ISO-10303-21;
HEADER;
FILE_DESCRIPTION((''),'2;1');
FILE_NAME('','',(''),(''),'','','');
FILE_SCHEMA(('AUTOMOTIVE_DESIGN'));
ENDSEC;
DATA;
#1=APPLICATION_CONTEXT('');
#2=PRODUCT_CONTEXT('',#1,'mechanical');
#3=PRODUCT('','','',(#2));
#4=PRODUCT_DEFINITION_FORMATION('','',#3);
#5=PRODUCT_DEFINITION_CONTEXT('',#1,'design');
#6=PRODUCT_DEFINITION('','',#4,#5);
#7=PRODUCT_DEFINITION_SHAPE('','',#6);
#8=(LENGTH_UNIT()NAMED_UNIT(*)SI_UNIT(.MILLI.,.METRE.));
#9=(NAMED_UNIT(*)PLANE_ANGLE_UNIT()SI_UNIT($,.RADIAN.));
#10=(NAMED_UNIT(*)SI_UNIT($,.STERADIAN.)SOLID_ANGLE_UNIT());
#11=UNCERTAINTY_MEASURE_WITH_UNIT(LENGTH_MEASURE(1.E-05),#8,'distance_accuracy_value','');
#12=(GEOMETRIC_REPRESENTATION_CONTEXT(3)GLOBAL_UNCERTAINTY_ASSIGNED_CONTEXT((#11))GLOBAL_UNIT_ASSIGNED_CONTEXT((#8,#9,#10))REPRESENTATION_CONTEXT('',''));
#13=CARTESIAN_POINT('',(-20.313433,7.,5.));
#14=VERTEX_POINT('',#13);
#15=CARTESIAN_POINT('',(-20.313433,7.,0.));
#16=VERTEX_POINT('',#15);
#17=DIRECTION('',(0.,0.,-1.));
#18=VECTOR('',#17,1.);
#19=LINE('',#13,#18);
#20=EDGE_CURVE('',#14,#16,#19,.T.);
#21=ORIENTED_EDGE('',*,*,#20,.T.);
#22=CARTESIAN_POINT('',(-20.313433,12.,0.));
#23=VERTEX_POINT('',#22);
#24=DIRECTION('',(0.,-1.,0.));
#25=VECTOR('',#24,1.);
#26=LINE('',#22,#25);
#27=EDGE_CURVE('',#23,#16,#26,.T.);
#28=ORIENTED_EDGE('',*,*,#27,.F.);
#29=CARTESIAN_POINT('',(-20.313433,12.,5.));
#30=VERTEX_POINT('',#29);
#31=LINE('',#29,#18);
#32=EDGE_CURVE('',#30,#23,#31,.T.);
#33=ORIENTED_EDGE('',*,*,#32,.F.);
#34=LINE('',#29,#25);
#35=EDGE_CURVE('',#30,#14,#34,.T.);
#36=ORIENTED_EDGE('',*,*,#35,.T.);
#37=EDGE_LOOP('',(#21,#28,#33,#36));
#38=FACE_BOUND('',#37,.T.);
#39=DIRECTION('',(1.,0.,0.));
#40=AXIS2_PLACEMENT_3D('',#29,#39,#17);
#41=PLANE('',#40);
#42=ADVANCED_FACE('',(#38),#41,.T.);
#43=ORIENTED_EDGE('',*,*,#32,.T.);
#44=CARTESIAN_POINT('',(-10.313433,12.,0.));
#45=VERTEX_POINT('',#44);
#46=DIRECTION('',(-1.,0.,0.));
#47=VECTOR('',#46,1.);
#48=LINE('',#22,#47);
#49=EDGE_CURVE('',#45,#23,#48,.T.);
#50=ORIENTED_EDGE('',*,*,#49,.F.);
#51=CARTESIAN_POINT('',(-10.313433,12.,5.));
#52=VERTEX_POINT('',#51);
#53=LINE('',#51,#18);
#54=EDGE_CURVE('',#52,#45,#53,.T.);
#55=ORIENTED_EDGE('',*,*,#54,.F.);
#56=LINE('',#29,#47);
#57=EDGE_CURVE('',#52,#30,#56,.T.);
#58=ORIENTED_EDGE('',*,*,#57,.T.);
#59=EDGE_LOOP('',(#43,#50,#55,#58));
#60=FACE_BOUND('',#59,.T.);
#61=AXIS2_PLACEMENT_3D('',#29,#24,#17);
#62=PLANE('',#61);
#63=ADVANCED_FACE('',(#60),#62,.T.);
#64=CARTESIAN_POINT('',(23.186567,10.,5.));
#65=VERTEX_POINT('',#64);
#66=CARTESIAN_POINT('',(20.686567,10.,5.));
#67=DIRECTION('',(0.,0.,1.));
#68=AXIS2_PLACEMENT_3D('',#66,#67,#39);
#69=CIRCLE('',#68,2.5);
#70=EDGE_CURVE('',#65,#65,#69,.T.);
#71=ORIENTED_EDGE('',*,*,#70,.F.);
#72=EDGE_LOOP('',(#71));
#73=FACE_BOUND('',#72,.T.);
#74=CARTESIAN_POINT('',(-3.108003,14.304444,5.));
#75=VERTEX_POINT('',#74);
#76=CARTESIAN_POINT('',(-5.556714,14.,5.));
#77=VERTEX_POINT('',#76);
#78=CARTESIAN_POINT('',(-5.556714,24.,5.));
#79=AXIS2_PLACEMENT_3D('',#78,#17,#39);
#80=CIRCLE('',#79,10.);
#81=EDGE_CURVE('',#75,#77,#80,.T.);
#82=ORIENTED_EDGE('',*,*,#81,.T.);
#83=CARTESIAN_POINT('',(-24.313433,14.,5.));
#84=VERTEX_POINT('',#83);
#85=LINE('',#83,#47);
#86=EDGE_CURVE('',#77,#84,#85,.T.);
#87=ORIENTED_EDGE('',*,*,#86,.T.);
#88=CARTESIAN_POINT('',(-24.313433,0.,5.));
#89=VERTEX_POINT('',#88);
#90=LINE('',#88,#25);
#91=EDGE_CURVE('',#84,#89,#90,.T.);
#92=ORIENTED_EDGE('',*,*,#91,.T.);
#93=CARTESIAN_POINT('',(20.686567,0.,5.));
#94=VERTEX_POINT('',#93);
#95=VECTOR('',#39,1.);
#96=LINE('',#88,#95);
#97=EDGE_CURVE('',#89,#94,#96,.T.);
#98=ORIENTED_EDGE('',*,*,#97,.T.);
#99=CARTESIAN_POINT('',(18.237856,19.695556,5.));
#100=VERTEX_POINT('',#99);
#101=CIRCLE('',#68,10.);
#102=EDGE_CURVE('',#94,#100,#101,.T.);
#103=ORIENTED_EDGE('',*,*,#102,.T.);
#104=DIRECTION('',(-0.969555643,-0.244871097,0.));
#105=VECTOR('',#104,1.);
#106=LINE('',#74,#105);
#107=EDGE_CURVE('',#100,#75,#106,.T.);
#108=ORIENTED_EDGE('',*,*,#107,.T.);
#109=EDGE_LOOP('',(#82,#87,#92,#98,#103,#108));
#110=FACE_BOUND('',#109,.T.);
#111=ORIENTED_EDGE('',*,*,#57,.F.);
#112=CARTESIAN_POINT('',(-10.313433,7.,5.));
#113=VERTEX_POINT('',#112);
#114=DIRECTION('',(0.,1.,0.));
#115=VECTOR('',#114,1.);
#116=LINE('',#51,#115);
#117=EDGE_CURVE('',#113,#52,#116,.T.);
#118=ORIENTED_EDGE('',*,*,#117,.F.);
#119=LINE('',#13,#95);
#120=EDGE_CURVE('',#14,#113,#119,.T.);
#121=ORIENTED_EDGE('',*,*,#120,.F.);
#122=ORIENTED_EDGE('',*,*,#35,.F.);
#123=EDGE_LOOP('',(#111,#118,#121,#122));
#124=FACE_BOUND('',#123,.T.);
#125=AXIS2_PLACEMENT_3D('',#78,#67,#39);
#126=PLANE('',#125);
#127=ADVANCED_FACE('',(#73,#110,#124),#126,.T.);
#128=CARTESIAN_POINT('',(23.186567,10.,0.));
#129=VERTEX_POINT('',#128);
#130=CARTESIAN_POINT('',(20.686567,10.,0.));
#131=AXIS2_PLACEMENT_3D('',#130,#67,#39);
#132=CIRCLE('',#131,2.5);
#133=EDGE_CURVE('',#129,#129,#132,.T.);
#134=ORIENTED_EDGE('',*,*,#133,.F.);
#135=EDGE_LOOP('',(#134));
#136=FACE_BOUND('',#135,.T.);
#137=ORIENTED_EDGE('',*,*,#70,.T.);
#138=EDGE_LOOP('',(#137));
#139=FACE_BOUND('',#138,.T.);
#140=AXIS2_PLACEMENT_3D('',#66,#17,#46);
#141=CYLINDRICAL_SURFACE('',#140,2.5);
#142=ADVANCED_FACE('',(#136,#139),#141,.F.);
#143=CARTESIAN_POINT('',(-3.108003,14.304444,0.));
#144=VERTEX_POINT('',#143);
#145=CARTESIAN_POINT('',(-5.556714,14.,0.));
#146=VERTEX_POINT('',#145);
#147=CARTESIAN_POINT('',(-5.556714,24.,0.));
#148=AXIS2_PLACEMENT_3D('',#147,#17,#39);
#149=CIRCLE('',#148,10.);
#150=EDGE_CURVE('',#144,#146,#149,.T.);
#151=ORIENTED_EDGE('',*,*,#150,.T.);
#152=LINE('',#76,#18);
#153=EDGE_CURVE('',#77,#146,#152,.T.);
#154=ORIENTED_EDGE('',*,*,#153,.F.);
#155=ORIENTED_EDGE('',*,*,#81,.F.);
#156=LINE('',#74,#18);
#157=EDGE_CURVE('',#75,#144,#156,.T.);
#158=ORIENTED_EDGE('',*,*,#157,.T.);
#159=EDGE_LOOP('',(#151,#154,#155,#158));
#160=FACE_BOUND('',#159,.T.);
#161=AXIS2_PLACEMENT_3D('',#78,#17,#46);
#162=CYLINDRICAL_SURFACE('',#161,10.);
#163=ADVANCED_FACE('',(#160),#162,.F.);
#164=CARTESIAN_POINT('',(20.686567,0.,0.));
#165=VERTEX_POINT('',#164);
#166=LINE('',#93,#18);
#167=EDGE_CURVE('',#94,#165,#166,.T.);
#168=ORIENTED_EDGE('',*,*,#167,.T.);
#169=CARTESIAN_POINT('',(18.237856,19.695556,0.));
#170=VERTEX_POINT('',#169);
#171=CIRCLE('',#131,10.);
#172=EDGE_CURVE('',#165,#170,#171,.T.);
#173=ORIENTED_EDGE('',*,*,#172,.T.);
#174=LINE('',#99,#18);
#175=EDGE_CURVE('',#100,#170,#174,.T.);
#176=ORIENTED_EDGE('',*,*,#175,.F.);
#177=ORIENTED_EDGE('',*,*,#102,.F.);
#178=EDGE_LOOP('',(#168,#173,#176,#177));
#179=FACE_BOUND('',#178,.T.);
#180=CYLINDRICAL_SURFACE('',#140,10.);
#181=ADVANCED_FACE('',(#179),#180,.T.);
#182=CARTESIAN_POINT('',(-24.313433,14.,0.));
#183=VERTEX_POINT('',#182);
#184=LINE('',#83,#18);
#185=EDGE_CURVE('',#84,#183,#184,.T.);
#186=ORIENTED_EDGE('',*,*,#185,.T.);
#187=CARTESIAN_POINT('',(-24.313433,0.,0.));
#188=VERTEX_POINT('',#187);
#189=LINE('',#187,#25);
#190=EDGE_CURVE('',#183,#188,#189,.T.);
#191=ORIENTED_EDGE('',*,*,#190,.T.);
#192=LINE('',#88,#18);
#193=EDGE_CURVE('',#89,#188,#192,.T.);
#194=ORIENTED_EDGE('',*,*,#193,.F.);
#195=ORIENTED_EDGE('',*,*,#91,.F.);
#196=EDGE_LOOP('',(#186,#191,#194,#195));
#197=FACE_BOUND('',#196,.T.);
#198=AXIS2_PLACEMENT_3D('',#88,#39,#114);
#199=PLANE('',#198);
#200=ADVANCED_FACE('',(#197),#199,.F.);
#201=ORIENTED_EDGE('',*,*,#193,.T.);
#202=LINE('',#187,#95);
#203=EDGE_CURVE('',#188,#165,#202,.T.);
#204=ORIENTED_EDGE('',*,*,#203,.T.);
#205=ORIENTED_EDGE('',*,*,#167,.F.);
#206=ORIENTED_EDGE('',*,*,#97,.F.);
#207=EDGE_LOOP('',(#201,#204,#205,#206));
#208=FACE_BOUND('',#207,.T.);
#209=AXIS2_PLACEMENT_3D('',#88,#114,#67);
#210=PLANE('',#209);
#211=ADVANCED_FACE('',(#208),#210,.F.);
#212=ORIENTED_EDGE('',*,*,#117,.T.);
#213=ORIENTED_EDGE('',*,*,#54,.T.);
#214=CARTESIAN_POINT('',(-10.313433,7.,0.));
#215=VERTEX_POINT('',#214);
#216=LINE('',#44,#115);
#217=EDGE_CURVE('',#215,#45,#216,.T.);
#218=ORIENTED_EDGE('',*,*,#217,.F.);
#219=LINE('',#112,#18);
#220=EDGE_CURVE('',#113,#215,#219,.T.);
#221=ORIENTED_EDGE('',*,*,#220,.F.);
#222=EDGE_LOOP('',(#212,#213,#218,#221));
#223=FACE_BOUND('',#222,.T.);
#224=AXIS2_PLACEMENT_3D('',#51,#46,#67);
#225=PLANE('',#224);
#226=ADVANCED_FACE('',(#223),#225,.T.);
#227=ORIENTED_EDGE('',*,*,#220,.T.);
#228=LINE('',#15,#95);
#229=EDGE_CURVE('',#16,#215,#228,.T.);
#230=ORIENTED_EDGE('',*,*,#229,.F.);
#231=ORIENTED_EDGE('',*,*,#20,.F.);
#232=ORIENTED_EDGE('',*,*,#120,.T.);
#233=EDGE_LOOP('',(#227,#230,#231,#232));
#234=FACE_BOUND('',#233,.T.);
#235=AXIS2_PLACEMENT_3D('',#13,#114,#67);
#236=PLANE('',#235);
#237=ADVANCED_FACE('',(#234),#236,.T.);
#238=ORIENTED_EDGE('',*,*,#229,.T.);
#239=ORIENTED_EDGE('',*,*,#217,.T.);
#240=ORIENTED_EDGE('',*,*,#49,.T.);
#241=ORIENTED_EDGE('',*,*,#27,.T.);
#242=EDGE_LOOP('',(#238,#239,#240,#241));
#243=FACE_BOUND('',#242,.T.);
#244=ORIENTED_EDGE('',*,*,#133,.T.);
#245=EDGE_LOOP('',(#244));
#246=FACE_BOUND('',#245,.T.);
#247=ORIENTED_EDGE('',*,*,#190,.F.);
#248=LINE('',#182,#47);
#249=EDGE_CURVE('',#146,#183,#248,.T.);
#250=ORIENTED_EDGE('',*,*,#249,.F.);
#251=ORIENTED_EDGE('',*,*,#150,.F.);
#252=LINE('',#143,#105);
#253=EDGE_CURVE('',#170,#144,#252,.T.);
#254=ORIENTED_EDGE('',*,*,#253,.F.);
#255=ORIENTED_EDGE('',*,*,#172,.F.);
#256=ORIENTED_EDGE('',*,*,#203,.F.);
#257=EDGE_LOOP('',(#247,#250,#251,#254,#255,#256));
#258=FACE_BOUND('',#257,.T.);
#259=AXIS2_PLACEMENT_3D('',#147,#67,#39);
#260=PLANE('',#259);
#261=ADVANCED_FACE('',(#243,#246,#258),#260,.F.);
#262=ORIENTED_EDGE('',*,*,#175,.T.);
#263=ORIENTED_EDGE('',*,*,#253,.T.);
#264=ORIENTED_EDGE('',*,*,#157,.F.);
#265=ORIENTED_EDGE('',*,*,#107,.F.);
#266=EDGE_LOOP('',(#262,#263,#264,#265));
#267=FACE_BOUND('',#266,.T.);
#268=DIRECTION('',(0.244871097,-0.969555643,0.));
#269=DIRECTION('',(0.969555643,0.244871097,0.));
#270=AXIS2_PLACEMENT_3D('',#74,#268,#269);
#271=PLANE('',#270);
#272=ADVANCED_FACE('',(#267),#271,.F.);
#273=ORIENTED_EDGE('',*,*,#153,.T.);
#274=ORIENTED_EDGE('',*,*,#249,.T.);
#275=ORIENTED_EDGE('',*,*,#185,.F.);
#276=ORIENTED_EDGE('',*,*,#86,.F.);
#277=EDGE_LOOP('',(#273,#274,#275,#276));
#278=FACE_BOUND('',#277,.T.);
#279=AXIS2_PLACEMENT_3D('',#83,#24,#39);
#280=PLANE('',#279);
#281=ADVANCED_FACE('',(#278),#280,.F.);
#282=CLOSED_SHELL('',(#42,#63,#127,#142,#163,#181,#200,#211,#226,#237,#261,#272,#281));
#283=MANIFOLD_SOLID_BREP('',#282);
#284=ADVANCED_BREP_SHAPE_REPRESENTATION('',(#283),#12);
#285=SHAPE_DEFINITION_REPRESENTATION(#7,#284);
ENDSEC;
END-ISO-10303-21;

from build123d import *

# Parameters (mm, degrees)
SKETCH1_R           = 2.5
SKETCH1_W           = 10
SKETCH1_H           = 5
BOSS_EXTRUDE1_DEPTH = 5


with BuildPart() as part:
    # Sketch1 → Boss-Extrude1 (new body)
    with BuildSketch(Plane.XY):
        with BuildLine():
            Line((-24.313432836, 0), (20.686567164, 0))
            ThreePointArc((20.686567164, 0), (30.610164404, 11.23378192), (18.237856194, 19.695556435))
            Line((18.237856194, 19.695556435), (-3.108002795, 14.304443565))
            ThreePointArc((-3.108002795, 14.304443565), (-4.322931845, 14.07640276), (-5.556713765, 14))
            Line((-5.556713765, 14), (-24.313432836, 14))
            Line((-24.313432836, 14), (-24.313432836, 0))
        make_face()
        with Locations((20.686567164, 10)):
            Circle(SKETCH1_R, mode=Mode.SUBTRACT)
        with Locations((-15.313432836, 9.5)):
            Rectangle(SKETCH1_W, SKETCH1_H, mode=Mode.SUBTRACT)
    extrude(amount=BOSS_EXTRUDE1_DEPTH)


solid = part.part
